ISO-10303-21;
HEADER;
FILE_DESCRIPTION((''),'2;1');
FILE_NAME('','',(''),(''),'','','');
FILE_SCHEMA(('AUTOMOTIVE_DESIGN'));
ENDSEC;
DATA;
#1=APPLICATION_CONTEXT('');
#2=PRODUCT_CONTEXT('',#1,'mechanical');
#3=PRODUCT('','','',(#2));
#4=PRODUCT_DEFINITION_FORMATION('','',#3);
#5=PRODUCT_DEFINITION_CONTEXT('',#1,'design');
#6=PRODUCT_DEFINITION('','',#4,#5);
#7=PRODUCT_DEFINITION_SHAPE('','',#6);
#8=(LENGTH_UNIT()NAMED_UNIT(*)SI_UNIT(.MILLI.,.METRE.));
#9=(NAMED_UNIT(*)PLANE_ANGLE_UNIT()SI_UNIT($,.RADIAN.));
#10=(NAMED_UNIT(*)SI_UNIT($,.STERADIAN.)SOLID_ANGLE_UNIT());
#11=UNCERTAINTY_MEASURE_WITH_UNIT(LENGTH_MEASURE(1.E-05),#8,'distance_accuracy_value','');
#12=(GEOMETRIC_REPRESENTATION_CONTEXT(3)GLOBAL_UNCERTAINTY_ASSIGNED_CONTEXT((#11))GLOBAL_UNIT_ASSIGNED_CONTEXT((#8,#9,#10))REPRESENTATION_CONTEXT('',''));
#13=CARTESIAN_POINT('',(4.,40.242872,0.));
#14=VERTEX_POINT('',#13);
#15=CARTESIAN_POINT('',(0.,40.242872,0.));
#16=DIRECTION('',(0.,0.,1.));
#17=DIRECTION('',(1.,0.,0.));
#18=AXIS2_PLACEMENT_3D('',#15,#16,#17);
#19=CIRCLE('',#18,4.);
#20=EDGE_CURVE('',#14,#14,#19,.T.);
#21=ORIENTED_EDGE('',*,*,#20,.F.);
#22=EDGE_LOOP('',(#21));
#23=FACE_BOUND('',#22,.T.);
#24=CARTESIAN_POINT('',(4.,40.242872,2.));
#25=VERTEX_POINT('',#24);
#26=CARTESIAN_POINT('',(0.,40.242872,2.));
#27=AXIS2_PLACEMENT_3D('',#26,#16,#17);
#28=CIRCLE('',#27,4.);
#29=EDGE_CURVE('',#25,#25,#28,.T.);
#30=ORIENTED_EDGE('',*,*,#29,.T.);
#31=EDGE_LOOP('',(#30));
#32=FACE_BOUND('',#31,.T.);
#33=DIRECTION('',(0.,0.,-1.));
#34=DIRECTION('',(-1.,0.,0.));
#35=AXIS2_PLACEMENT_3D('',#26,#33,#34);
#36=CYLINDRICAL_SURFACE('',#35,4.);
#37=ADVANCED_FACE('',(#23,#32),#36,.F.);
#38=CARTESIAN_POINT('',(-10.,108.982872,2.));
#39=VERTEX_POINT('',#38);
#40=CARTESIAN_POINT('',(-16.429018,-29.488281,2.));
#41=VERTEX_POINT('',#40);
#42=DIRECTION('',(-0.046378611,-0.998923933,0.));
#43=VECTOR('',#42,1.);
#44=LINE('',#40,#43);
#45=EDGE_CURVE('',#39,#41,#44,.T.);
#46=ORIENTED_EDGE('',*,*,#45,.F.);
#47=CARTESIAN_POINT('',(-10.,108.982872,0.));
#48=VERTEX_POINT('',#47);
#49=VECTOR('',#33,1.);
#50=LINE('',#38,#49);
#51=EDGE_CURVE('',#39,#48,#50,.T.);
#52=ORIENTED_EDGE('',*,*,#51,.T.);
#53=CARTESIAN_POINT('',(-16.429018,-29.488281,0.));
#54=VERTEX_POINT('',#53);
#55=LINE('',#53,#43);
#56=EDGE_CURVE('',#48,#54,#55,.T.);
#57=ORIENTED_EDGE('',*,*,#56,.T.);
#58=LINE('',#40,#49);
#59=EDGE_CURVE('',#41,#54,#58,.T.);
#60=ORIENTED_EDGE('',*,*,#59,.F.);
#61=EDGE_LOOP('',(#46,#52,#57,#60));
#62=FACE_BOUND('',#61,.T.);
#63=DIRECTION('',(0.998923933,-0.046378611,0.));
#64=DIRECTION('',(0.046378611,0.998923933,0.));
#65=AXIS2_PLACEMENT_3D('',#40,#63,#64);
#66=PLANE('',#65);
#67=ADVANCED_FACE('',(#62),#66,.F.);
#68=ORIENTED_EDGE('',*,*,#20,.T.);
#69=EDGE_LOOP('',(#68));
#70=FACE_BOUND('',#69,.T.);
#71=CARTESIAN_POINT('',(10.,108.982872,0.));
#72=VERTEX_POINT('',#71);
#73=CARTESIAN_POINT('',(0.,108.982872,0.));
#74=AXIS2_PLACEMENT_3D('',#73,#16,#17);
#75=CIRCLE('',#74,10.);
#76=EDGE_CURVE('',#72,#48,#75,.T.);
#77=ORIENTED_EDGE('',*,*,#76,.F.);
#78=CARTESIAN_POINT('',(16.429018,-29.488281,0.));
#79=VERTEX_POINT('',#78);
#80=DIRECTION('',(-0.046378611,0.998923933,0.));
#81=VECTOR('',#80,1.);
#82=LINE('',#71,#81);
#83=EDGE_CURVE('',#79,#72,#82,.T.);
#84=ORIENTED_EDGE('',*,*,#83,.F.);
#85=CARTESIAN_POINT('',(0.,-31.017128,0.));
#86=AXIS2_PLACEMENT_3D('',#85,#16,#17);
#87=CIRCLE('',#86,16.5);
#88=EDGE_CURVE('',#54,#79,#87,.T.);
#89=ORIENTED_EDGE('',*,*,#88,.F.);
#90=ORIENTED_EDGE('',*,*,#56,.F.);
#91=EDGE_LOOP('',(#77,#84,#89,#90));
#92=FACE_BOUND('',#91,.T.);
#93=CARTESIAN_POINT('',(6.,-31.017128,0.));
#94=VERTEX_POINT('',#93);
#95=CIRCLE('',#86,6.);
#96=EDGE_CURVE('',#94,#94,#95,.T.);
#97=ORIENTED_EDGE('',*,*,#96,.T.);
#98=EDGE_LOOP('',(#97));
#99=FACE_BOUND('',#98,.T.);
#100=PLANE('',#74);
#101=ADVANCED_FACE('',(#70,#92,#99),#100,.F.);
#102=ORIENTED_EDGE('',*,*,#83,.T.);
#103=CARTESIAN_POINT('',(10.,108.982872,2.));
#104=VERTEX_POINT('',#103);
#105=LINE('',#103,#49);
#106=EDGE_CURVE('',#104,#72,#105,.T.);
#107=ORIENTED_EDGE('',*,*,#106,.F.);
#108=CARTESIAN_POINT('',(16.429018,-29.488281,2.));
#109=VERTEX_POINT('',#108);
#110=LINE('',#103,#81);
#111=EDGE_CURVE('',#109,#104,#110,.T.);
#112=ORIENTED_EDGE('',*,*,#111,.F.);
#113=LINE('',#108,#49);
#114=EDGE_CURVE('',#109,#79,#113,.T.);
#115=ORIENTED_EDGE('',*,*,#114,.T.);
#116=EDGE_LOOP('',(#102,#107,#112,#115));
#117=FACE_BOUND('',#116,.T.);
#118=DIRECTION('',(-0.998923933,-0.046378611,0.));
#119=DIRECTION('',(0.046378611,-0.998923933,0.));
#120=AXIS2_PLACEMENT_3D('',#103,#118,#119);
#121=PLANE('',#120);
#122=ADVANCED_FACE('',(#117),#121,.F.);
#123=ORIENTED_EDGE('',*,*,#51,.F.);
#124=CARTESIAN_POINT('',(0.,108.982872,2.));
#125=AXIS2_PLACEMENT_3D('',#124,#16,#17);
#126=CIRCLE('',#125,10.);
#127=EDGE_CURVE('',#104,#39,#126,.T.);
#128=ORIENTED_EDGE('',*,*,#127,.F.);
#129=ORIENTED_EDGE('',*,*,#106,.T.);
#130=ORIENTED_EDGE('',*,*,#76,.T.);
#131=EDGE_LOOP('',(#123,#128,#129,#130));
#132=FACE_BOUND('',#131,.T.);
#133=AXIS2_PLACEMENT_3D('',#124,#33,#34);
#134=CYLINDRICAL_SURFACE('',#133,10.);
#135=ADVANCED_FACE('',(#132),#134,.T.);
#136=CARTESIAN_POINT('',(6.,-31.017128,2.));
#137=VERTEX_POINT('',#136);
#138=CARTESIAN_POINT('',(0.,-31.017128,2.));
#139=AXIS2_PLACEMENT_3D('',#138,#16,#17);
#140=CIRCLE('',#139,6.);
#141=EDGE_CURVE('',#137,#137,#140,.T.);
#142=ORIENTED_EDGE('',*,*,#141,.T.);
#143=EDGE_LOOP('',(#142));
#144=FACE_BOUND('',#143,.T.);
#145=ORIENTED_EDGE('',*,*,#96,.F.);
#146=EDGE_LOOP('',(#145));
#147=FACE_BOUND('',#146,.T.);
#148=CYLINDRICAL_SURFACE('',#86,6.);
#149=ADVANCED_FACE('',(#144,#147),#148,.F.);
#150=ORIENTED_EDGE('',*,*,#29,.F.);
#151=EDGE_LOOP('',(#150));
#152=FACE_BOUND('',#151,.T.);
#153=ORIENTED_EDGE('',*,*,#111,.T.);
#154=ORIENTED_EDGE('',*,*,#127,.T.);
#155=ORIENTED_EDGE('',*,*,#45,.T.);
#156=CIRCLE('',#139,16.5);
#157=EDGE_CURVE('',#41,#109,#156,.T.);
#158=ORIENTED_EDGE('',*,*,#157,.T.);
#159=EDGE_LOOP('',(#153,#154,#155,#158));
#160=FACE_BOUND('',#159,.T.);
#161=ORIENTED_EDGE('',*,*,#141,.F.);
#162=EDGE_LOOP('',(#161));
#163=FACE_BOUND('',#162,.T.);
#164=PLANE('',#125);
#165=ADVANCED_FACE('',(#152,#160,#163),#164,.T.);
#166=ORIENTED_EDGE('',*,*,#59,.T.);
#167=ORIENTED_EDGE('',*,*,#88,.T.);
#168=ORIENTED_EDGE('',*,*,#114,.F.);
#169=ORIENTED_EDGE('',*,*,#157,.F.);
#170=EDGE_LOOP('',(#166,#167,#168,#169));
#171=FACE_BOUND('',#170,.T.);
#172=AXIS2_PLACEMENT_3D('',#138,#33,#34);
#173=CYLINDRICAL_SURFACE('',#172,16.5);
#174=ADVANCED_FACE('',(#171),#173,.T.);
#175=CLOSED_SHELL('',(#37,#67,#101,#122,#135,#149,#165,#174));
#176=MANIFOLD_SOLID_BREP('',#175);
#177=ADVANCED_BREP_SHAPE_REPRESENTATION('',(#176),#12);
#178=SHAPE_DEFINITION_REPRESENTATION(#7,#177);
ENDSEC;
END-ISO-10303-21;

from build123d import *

# Parameters (mm, degrees)
SKETCH1_R               = 4
BOSS_EXTRUDE1_DEPTH     = 2
CUT_EXTRUDE1_DEPTH      = 121.138144992
CUT_EXTRUDE1_DEPTH_BACK = 121.138144992
SKETCH2_R               = 6


with BuildPart() as part:
    # Sketch1 → Boss-Extrude1 (new body)
    with BuildSketch(Plane.XY):
        with BuildLine():
            Line((-16.429017806, -29.488280523), (-10, 108.982872222))
            ThreePointArc((-10, 108.982872222), (0, 118.982872222), (10, 108.982872222))
            Line((10, 108.982872222), (16.429017806, -29.488280523))
            ThreePointArc((16.429017806, -29.488280523), (0, -47.517127778), (-16.429017806, -29.488280523))
        make_face()
        with Locations((0, 40.242872222)):
            Circle(SKETCH1_R, mode=Mode.SUBTRACT)
    extrude(amount=BOSS_EXTRUDE1_DEPTH)

    # Sketch2 → Cut-Extrude1 (cut, two sides: drawn at the far end of the back side and taken through both)
    with BuildSketch(Plane.XY.offset(2).offset(-CUT_EXTRUDE1_DEPTH_BACK)):
        with Locations((0, -31.017127778)):
            Circle(SKETCH2_R)
    extrude(amount=CUT_EXTRUDE1_DEPTH + CUT_EXTRUDE1_DEPTH_BACK, mode=Mode.SUBTRACT)


solid = part.part
